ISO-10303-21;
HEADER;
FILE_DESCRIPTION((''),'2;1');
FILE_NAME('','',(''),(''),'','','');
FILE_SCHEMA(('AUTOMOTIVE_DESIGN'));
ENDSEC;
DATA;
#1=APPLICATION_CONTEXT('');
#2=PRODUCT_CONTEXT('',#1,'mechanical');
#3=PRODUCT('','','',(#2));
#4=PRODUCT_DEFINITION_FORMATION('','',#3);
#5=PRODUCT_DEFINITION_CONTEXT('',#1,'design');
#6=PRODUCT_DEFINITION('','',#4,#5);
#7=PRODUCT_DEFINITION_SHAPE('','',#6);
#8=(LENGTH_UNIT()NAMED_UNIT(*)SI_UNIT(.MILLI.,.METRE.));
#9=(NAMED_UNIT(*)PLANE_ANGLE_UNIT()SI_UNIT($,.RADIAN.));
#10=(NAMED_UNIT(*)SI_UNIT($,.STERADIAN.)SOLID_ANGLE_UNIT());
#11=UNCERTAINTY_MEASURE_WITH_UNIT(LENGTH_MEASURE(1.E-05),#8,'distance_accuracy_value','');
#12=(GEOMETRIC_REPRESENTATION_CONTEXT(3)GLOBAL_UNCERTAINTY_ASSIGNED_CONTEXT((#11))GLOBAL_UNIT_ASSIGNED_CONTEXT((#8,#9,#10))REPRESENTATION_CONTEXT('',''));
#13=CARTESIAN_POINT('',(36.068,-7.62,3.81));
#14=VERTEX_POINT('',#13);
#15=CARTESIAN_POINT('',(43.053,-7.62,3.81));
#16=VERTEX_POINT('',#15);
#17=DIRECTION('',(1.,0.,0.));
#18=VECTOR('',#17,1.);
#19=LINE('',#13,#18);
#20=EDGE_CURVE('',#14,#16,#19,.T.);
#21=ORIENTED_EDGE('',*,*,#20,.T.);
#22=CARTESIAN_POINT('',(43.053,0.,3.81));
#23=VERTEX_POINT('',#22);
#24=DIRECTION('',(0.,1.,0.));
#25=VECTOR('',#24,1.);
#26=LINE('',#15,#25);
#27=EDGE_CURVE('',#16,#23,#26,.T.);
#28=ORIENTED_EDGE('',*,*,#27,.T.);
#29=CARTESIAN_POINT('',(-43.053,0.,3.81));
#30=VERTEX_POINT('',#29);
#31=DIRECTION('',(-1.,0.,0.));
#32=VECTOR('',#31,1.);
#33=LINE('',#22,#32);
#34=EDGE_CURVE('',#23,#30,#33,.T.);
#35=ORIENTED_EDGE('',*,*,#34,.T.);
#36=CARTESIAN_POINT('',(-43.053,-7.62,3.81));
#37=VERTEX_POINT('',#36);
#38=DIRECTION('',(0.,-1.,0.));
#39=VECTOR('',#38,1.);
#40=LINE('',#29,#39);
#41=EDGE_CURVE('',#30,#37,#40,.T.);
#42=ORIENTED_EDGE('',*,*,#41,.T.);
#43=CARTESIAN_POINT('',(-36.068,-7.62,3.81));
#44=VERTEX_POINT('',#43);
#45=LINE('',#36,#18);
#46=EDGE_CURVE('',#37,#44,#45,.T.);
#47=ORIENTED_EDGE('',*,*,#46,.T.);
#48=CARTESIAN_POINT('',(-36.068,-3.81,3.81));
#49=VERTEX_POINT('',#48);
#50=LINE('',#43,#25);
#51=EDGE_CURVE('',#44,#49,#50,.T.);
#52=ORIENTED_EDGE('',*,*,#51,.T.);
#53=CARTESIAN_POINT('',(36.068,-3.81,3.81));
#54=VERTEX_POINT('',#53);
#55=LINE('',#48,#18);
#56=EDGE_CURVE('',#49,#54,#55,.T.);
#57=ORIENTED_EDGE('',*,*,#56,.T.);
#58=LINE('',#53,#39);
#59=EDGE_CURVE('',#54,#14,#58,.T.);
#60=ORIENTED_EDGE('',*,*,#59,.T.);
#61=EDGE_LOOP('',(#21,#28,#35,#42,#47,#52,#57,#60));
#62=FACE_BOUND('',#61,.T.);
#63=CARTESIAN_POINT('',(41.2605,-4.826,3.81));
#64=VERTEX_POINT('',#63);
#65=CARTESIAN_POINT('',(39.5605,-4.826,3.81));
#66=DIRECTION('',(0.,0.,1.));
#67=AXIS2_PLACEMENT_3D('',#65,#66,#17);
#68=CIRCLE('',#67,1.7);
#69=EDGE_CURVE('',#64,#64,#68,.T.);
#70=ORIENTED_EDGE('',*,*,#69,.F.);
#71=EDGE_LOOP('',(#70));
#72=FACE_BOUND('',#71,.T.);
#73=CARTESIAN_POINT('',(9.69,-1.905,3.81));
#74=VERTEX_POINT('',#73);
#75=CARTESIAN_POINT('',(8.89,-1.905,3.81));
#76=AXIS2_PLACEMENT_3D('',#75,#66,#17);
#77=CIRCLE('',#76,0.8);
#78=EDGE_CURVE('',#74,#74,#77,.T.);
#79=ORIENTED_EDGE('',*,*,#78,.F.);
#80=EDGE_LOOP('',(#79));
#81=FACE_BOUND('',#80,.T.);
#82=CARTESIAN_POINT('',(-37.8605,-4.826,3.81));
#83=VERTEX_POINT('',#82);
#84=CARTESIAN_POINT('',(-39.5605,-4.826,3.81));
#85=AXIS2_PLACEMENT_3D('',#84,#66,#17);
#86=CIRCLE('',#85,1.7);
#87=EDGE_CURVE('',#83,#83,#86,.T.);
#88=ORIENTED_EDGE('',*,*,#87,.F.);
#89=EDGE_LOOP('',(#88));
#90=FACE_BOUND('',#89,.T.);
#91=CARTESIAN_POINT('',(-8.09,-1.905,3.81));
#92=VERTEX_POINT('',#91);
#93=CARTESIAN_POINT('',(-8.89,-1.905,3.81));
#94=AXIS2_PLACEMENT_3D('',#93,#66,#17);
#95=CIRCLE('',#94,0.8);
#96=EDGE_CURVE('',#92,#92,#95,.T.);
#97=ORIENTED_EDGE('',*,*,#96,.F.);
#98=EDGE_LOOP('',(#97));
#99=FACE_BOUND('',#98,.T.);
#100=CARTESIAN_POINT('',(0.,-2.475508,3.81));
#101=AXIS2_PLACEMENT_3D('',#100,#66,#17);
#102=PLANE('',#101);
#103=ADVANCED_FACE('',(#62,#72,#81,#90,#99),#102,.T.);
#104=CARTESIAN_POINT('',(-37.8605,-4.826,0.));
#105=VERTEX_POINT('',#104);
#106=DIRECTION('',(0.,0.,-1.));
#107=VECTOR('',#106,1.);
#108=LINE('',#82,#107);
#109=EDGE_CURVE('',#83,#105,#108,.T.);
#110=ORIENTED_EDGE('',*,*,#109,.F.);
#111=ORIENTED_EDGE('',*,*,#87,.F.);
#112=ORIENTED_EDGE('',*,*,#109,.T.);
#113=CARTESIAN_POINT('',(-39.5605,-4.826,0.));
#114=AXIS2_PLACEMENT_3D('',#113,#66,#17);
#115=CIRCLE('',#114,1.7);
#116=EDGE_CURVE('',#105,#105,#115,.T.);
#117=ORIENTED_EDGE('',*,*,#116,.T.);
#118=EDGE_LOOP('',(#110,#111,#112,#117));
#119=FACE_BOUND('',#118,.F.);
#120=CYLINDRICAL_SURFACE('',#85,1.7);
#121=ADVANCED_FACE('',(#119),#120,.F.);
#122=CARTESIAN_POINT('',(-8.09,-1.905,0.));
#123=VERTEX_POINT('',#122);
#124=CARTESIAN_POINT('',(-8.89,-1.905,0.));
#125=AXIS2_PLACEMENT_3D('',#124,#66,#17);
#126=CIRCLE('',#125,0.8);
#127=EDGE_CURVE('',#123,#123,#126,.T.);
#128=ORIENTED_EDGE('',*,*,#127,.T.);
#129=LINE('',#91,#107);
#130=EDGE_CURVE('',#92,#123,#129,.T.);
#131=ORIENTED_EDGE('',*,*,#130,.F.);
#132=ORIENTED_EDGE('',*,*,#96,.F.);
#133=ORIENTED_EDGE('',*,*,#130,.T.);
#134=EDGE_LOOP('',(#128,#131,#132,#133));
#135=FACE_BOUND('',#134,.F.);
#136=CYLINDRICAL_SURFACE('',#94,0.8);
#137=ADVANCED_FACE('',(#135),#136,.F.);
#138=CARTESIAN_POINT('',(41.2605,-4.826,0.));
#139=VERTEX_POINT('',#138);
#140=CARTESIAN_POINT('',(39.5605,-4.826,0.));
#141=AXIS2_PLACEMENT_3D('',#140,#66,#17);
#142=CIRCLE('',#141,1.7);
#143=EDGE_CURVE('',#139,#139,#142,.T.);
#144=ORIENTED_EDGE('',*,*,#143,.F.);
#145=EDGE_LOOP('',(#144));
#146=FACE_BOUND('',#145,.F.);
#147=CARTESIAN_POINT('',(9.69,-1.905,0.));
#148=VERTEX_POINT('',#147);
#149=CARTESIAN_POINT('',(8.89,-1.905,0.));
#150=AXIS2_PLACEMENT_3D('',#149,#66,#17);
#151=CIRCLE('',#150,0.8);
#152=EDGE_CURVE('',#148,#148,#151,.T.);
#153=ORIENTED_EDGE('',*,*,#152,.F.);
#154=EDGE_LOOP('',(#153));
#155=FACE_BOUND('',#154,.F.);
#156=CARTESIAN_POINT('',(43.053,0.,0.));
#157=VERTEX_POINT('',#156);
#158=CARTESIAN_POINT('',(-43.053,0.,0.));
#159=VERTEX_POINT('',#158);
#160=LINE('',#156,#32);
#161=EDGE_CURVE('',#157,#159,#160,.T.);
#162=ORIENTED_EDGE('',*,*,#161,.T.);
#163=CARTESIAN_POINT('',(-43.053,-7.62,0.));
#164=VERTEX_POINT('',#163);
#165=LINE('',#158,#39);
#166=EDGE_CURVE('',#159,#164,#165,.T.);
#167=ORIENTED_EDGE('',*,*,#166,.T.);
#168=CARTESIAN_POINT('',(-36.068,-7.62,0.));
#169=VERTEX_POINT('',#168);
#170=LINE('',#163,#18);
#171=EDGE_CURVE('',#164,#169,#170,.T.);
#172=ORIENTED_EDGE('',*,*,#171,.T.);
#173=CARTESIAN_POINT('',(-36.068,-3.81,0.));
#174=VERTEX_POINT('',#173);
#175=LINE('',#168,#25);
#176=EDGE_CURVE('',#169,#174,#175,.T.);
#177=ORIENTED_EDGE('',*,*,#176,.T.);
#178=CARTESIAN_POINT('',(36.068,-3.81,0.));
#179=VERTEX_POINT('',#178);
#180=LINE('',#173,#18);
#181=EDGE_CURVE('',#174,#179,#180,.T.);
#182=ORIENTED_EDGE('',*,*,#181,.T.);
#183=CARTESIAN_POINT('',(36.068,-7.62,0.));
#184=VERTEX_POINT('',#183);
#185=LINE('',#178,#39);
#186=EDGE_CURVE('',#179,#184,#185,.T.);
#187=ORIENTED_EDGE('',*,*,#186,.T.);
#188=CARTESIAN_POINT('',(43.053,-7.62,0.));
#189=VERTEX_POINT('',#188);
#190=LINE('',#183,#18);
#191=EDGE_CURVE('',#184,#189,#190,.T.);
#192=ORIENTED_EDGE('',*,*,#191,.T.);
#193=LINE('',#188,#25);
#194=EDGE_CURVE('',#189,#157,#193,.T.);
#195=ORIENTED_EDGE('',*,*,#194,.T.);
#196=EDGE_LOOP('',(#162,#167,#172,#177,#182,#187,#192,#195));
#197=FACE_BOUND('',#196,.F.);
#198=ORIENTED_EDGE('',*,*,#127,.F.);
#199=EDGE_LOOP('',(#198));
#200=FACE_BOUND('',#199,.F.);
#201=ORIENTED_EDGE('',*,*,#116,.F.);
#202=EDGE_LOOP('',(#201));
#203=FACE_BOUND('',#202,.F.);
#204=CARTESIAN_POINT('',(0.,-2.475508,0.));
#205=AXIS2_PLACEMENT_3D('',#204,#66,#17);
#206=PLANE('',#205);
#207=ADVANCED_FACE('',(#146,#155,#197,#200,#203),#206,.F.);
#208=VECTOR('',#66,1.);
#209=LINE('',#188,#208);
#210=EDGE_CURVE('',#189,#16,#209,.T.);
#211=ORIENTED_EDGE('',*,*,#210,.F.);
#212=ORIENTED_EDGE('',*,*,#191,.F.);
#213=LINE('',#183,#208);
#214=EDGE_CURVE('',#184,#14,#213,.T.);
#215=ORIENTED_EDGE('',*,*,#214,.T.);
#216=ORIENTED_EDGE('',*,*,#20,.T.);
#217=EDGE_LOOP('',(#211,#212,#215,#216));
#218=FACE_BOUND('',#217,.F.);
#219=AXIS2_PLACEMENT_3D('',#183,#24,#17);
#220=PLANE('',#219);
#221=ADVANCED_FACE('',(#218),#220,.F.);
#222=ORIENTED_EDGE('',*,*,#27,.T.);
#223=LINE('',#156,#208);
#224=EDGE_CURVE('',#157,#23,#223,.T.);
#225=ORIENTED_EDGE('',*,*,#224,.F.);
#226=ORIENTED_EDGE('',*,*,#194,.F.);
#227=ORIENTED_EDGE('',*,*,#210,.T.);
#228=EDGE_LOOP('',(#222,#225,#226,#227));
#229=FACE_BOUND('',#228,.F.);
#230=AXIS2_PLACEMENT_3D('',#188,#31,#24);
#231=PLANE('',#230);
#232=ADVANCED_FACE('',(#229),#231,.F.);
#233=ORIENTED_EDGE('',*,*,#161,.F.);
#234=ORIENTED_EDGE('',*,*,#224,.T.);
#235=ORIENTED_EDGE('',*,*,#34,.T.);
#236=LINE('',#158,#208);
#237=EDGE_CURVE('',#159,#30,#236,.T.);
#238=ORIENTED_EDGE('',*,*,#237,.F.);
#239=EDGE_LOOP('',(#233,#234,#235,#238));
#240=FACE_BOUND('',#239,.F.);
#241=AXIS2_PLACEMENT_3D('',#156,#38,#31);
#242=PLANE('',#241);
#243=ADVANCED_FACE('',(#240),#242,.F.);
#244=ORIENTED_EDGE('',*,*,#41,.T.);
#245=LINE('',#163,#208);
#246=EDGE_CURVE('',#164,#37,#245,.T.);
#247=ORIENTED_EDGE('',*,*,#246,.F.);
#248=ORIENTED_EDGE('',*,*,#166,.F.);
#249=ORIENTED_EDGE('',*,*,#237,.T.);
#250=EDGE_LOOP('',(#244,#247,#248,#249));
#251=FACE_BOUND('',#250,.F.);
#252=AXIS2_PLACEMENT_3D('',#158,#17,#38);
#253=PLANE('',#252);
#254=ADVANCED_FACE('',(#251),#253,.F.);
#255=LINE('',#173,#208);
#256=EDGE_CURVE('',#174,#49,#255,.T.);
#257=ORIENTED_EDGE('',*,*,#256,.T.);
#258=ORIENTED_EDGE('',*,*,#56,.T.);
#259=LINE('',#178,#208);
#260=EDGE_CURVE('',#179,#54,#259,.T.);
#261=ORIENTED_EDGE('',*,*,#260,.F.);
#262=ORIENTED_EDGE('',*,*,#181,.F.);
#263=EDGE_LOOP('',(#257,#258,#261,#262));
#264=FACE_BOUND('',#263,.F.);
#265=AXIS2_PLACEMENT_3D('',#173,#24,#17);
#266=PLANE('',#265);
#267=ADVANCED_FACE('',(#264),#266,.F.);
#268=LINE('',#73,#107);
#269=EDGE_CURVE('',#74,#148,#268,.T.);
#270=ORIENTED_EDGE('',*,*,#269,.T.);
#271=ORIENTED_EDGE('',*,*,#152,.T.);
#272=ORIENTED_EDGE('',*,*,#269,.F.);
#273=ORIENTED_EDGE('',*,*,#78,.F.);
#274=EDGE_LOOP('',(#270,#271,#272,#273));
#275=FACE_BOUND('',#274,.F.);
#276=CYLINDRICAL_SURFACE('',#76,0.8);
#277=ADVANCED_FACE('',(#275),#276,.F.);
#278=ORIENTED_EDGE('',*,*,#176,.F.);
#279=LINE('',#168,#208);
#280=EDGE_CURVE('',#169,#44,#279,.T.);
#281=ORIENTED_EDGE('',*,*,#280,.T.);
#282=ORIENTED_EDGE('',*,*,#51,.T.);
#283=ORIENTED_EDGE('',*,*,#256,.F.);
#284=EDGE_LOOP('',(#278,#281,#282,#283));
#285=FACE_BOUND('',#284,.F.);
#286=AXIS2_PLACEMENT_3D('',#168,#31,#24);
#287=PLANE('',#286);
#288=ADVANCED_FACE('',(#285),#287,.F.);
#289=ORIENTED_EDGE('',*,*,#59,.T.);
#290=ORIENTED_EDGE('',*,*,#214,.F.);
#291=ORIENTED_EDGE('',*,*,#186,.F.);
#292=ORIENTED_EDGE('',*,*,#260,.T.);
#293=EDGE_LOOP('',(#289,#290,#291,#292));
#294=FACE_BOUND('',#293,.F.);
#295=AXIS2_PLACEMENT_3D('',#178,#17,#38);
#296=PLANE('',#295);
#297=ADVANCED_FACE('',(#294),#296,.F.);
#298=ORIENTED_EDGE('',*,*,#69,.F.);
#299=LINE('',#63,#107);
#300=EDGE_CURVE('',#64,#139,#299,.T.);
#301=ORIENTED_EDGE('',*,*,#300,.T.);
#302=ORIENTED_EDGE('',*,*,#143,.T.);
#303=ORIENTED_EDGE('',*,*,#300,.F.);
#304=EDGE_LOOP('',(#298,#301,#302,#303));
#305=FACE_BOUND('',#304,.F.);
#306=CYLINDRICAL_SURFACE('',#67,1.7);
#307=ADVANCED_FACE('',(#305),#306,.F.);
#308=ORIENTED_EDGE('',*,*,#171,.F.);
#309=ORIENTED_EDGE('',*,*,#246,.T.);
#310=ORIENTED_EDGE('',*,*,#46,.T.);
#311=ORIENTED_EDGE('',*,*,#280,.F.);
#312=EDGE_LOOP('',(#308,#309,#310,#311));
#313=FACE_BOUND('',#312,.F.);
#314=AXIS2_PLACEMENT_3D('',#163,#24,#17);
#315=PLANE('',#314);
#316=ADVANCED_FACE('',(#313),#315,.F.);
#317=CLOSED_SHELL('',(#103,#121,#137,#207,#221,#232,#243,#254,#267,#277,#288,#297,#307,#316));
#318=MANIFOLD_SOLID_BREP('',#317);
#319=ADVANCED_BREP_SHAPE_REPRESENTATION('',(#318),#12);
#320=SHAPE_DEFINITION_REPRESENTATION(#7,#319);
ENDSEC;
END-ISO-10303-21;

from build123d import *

# Parameters (mm, degrees)
PAD_DEPTH     = 3.81
SKETCH001_R   = 1.7
HOLE_DEPTH    = 24.892
SKETCH002_R   = 0.8
HOLE001_DEPTH = 24.892


with BuildPart() as part:
    # Sketch → Pad (new body)
    with BuildSketch(Plane.XY):
        Polygon((-43.053, 0), (-43.053, -7.62), (-36.068, -7.62), (-36.068, -3.81), (36.068, -3.81), (36.068, -7.62), (43.053, -7.62), (43.053, 0), align=None)
    extrude(amount=PAD_DEPTH)

    # Sketch001 (on Face10 of Pad) → Hole (cut)
    with BuildSketch(Plane.XY.offset(3.81)):
        with Locations((-39.5605, -4.826)):
            Circle(SKETCH001_R)
        with Locations((39.5605, -4.826)):
            Circle(SKETCH001_R)
    extrude(amount=-HOLE_DEPTH, mode=Mode.SUBTRACT)

    # Sketch002 (on Face5 of Hole) → Hole001 (cut)
    with BuildSketch(Plane.XY.offset(3.81)):
        with Locations((-8.89, -1.905)):
            Circle(SKETCH002_R)
        with Locations((8.89, -1.905)):
            Circle(SKETCH002_R)
    extrude(amount=-HOLE001_DEPTH, mode=Mode.SUBTRACT)


solid = part.part
